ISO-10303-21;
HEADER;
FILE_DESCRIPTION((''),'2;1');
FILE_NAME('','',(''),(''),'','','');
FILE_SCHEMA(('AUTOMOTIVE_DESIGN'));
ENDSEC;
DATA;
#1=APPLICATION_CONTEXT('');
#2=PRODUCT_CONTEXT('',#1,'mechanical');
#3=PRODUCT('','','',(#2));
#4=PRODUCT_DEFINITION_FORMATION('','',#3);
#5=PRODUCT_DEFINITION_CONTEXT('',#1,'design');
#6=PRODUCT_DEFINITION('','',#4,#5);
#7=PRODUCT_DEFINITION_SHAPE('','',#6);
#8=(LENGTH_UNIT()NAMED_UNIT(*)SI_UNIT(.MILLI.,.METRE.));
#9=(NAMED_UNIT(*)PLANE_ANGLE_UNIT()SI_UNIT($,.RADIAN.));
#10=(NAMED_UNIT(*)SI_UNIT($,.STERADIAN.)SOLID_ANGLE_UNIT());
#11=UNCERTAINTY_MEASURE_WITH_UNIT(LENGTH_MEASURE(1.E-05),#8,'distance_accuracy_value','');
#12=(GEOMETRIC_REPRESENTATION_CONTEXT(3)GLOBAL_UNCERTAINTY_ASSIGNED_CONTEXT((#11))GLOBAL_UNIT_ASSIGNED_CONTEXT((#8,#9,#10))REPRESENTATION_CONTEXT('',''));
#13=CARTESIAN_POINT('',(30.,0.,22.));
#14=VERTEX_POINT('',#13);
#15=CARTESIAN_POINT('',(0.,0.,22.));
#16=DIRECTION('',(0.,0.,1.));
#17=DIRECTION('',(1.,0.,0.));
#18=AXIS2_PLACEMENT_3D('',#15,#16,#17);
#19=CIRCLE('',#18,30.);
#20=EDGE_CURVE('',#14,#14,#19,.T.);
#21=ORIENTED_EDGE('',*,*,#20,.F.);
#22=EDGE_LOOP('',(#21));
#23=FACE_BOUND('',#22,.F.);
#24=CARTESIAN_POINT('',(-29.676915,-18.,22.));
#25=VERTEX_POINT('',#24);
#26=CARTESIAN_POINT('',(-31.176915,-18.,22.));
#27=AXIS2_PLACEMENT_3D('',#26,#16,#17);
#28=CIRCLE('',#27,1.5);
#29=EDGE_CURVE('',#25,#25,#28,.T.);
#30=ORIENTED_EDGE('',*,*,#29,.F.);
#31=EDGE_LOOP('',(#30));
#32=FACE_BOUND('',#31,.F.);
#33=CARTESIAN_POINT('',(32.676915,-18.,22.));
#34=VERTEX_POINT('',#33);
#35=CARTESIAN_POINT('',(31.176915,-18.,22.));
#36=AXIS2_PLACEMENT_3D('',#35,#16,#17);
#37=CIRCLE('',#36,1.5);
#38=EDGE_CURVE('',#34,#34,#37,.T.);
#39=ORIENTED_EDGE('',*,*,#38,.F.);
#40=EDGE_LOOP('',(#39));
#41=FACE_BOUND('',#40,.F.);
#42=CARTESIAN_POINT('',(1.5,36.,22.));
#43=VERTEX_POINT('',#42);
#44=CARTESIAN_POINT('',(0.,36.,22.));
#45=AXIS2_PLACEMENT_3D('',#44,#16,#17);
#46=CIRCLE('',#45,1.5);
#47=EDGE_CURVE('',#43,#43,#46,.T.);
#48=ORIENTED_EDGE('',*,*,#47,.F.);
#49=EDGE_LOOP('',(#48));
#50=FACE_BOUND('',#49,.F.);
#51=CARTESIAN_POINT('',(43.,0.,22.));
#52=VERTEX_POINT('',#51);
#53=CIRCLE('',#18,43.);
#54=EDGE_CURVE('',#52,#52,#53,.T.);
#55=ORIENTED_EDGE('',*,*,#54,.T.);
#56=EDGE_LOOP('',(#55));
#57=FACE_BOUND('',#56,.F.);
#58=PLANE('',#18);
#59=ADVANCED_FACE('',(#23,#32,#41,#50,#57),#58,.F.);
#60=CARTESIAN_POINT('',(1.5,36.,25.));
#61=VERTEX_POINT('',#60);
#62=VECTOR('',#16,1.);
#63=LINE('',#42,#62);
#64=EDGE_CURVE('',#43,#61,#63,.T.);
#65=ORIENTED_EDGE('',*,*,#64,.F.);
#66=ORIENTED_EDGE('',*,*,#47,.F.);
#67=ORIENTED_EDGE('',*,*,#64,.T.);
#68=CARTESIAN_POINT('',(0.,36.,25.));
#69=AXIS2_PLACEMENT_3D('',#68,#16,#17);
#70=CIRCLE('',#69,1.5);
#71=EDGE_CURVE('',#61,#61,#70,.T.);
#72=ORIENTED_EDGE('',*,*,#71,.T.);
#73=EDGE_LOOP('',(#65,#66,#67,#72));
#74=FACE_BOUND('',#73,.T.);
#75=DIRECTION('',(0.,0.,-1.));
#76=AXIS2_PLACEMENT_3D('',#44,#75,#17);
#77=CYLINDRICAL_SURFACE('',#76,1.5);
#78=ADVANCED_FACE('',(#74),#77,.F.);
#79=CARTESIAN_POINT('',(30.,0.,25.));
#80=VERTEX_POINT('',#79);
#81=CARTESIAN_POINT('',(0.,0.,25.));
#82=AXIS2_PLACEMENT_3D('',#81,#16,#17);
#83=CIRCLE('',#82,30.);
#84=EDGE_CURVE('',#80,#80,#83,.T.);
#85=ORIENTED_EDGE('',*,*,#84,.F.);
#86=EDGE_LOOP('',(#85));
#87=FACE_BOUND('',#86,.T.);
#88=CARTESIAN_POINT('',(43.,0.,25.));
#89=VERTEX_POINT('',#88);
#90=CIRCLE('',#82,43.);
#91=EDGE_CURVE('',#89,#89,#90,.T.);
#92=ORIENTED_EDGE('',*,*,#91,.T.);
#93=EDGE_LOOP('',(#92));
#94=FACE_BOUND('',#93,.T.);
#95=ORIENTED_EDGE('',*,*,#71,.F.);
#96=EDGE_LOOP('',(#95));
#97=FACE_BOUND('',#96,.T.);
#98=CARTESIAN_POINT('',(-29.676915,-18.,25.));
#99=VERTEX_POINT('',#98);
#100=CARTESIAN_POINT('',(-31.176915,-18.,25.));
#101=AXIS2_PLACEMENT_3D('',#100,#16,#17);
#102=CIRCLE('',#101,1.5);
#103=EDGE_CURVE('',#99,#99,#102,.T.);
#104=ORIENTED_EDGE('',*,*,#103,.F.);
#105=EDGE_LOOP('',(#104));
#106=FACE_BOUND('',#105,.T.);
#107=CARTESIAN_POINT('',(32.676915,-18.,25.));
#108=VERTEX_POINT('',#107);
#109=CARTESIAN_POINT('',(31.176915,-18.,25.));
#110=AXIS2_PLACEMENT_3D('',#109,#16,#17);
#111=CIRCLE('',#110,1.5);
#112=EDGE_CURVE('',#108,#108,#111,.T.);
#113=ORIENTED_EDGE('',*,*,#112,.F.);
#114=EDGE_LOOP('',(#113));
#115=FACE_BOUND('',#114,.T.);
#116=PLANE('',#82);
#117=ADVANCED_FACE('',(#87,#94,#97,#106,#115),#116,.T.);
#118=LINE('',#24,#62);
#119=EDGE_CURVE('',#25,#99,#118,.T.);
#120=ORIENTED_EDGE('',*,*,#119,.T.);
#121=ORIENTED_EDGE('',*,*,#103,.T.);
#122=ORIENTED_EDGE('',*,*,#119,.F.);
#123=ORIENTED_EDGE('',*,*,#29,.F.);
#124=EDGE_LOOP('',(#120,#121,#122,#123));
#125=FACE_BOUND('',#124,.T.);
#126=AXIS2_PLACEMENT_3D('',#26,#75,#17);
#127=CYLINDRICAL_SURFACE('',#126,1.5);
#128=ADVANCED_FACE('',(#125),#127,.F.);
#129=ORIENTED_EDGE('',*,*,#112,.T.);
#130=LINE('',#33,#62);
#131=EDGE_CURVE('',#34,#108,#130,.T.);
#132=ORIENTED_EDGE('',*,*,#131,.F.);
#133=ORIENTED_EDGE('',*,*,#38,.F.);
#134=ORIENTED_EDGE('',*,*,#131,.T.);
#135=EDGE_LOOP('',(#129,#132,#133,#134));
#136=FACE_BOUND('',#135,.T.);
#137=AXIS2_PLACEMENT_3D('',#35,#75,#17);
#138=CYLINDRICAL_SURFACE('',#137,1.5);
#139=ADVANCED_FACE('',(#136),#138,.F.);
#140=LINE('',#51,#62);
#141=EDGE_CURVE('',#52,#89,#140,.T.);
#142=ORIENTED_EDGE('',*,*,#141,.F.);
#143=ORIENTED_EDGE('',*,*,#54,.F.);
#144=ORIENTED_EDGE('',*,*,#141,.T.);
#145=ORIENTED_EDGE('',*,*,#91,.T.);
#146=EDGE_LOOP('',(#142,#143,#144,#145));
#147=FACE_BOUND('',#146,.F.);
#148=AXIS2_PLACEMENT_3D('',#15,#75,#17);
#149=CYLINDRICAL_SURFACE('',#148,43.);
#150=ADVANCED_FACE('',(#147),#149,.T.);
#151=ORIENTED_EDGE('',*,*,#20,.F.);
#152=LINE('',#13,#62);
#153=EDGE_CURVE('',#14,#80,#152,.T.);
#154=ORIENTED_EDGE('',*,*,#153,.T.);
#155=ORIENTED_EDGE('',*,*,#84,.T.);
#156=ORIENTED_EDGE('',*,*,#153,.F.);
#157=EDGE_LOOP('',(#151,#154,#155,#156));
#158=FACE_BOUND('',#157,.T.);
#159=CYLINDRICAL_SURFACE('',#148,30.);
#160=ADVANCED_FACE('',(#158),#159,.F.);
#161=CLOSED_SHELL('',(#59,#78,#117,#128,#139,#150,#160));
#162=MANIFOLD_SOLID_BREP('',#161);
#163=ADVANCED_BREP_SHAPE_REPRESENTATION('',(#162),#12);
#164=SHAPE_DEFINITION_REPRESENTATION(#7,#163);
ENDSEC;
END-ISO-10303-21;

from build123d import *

# Parameters (mm, degrees)
SKETCH006_R   = 43
SKETCH006_R_2 = 1.5
SKETCH006_R_3 = 30
PAD_DEPTH     = 3


with BuildPart() as part:
    # Sketch006 → Pad (new body)
    with BuildSketch(Plane.XY.offset(22)):
        Circle(SKETCH006_R)
        with Locations((0, 36)):
            Circle(SKETCH006_R_2, mode=Mode.SUBTRACT)
        with Locations((31.176915, -18)):
            Circle(SKETCH006_R_2, mode=Mode.SUBTRACT)
        with Locations((-31.176915, -18)):
            Circle(SKETCH006_R_2, mode=Mode.SUBTRACT)
        Circle(SKETCH006_R_3, mode=Mode.SUBTRACT)
    extrude(amount=PAD_DEPTH)


solid = part.part
